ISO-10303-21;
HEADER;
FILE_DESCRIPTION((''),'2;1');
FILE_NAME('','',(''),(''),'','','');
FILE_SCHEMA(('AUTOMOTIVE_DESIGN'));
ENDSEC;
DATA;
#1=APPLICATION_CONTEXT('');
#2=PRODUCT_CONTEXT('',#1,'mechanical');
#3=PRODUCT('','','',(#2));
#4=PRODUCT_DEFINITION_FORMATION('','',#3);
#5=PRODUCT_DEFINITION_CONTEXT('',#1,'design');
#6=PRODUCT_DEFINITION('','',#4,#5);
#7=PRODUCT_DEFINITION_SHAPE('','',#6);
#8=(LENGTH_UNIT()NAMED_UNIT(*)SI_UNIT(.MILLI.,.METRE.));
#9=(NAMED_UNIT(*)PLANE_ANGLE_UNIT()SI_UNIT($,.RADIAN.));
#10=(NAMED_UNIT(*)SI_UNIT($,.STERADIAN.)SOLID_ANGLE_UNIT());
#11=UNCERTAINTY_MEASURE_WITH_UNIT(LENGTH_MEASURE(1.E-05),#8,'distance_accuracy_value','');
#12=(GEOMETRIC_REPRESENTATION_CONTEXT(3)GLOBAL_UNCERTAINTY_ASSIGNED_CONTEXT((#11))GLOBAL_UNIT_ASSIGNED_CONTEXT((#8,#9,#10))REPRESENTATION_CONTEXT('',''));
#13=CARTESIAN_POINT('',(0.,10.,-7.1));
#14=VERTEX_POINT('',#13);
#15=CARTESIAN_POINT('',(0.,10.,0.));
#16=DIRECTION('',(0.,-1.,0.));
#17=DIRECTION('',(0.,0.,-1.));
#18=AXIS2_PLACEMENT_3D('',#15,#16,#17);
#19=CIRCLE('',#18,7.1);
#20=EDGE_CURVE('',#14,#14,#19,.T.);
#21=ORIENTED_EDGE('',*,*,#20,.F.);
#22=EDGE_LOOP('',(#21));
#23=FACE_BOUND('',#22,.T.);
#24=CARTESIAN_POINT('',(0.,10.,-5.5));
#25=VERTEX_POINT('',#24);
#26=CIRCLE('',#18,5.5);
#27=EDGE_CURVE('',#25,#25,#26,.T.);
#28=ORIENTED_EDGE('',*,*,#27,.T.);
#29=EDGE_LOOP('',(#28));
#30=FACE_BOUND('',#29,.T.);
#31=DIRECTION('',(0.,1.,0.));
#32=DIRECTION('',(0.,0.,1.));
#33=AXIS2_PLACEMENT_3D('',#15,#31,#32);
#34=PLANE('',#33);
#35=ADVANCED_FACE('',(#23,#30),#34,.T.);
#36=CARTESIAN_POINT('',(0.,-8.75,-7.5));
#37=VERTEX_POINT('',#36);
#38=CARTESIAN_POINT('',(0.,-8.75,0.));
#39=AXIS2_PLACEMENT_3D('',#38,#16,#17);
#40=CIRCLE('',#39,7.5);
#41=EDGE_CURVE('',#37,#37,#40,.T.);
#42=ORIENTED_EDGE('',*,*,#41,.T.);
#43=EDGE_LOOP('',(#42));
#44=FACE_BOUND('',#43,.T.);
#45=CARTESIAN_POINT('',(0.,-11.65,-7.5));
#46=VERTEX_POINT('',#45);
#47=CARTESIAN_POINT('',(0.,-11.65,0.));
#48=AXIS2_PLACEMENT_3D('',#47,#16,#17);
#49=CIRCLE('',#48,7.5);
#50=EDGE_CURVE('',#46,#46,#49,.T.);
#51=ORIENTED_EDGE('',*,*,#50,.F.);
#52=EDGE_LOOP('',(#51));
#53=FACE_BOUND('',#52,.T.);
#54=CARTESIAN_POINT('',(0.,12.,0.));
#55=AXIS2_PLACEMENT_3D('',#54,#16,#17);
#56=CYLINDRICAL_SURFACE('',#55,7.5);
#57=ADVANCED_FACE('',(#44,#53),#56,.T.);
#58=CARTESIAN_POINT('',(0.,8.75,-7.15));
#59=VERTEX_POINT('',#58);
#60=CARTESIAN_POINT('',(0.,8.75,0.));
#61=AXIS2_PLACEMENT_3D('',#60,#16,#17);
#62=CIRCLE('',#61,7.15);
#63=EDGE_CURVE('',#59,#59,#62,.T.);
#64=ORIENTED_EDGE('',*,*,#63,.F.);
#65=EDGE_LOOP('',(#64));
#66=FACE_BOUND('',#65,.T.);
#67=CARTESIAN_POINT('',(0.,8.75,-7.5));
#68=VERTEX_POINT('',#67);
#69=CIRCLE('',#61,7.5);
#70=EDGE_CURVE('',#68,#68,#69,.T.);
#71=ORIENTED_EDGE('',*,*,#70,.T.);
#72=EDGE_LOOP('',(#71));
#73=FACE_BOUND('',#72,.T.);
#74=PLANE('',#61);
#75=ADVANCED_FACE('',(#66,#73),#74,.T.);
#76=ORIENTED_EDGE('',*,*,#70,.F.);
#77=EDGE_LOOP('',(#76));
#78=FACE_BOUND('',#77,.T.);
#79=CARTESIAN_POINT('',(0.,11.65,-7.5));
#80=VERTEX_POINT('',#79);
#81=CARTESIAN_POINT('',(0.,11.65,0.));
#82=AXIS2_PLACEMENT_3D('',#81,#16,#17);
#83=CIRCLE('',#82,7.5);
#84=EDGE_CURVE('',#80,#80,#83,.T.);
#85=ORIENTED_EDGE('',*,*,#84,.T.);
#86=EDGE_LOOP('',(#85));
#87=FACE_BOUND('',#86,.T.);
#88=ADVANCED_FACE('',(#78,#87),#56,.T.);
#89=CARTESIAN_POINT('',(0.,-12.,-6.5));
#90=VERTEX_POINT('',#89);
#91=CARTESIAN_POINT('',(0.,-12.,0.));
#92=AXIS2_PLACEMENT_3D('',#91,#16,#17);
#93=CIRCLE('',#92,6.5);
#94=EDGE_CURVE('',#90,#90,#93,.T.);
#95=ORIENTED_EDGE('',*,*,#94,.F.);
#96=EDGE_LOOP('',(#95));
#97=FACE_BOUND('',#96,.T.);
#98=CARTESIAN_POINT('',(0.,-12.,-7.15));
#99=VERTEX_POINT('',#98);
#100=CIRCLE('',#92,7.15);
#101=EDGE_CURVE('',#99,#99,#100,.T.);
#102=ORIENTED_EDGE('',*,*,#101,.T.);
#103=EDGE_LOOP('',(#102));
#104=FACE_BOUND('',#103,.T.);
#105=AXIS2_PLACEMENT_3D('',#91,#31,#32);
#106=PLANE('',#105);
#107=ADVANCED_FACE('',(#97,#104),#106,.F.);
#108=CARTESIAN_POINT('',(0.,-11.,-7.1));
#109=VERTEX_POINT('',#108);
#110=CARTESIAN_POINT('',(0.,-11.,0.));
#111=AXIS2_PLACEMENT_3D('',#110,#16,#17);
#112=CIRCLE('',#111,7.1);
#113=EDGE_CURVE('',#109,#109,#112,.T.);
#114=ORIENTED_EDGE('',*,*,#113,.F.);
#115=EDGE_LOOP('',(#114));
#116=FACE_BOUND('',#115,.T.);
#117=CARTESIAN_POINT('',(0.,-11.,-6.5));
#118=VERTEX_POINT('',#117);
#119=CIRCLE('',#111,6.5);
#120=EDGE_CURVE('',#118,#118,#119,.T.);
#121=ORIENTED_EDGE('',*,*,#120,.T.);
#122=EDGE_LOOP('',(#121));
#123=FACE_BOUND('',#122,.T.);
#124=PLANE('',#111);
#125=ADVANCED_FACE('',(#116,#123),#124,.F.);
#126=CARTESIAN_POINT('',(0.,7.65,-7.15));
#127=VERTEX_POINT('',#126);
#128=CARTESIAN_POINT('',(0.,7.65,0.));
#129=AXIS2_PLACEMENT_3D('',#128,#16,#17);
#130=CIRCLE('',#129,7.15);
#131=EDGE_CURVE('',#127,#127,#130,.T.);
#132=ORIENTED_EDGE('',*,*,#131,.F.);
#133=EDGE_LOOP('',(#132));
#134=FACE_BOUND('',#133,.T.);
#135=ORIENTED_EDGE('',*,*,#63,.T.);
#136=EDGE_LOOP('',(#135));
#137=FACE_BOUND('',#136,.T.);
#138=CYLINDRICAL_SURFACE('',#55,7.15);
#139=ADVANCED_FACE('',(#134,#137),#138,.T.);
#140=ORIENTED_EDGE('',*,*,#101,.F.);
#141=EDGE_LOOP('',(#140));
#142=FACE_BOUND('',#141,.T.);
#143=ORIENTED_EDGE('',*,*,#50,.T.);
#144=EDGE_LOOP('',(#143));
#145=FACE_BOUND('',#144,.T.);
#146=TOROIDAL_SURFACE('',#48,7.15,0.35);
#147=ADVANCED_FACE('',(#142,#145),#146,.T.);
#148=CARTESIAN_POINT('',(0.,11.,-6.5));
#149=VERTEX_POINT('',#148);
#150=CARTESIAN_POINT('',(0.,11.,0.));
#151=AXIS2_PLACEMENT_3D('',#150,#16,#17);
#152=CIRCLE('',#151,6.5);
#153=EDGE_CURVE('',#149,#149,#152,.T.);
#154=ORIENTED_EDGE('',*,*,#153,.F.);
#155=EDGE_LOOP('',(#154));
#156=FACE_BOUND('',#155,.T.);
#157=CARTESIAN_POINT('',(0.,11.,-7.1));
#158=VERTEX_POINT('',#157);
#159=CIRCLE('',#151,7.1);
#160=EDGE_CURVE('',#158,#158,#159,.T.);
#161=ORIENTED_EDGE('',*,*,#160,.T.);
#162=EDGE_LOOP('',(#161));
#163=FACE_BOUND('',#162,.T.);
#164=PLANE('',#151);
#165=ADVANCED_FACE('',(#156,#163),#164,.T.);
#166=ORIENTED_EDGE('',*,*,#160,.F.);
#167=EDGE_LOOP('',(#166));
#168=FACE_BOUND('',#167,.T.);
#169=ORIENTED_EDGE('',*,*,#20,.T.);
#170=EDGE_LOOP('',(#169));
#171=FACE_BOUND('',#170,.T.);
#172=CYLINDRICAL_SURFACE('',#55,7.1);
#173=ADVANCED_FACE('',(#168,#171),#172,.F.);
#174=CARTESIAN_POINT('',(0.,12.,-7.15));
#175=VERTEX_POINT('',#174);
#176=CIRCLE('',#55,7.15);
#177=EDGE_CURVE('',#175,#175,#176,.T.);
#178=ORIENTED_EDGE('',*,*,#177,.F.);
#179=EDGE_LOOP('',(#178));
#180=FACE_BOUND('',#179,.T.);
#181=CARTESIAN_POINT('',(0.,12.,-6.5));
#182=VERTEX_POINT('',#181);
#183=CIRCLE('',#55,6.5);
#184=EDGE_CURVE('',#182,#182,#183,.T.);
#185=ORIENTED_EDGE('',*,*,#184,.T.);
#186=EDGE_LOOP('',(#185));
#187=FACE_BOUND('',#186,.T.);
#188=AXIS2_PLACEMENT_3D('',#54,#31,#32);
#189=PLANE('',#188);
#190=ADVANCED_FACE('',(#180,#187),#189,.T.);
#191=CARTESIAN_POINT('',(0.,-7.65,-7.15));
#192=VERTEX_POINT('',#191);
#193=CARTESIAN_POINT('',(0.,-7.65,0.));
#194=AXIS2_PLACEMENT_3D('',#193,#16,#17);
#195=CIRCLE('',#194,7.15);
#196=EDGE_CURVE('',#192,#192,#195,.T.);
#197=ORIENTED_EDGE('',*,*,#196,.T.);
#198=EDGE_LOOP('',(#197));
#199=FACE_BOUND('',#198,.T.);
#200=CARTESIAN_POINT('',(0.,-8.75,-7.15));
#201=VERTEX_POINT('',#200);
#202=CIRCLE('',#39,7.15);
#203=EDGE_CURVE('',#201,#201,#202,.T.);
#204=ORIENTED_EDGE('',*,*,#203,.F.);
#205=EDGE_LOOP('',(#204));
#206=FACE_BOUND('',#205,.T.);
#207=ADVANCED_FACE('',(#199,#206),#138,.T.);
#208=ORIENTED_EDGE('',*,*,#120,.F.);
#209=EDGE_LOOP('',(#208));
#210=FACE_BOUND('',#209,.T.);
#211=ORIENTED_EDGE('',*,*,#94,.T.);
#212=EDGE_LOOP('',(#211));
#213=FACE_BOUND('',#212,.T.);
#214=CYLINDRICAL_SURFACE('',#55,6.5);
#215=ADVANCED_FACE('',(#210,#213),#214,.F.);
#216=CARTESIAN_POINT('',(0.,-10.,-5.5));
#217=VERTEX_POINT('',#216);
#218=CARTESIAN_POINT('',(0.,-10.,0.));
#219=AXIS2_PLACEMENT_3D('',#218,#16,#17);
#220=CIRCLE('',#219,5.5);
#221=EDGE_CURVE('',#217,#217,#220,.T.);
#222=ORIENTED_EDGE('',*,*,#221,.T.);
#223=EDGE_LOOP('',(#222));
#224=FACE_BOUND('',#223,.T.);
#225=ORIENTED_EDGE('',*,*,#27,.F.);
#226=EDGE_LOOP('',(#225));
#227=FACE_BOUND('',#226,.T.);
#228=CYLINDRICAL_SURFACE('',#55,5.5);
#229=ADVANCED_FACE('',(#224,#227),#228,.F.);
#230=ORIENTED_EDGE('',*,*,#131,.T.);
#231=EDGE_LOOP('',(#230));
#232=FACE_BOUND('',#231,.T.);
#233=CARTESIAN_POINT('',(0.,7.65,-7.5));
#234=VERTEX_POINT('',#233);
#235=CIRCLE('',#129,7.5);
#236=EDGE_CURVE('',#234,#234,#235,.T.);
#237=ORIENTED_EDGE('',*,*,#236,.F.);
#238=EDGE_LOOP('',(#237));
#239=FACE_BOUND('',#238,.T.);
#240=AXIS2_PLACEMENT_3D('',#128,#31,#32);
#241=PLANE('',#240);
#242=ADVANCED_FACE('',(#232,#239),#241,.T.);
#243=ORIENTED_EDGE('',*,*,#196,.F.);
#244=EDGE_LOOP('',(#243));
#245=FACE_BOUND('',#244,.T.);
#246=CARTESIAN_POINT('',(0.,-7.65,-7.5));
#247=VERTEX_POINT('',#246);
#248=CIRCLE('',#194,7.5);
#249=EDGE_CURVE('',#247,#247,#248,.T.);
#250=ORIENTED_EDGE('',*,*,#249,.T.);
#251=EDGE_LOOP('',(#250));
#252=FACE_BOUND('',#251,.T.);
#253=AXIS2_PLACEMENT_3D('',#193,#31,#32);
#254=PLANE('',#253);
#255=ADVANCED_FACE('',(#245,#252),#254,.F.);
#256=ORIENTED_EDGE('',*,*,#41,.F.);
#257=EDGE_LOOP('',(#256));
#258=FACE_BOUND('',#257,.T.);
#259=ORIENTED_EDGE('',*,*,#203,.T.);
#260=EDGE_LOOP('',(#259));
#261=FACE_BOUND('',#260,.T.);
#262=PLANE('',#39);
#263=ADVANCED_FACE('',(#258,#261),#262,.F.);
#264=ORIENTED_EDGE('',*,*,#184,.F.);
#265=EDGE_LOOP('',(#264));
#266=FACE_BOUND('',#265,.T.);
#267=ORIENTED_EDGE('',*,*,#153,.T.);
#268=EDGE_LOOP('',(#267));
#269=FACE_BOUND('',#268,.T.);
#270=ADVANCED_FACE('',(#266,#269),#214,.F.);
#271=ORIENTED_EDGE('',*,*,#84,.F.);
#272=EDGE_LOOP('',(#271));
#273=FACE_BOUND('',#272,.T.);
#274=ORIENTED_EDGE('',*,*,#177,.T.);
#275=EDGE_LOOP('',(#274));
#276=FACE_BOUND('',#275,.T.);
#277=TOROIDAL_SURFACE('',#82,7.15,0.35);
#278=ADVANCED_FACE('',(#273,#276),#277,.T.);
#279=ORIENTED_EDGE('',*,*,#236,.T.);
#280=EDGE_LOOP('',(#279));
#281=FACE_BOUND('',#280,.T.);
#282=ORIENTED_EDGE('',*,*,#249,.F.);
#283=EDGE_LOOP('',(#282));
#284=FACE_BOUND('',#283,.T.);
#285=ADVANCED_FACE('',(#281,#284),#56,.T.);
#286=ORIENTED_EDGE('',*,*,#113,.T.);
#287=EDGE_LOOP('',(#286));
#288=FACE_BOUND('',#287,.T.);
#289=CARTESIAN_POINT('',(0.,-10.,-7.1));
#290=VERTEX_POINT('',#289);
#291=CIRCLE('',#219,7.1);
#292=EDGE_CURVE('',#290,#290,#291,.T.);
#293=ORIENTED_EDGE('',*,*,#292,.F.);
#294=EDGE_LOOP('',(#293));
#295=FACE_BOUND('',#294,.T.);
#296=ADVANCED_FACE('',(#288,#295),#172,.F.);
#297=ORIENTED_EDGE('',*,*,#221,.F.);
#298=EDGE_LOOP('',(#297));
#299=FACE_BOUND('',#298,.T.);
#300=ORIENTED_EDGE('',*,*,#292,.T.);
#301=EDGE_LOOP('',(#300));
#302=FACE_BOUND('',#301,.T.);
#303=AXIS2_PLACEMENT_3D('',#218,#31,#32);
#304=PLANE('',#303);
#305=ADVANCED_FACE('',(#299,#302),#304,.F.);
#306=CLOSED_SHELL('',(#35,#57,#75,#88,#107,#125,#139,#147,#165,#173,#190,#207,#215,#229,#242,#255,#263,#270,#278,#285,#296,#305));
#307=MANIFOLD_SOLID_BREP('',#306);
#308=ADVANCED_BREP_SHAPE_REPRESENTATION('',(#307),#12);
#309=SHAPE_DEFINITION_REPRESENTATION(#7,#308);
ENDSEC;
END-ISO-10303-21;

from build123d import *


with BuildPart() as part:
    # Sketch1 → Revolve1 (revolve)
    with BuildSketch(Plane(origin=(0, 0, 0), x_dir=(0, -1, 0), z_dir=(1, 0, 0))):
        with BuildLine():
            Line((-8.75, 7.5), (-11.65, 7.5))
            ThreePointArc((-11.65, 7.5), (-11.897487373, 7.397487373), (-12, 7.15))
            Line((-12, 7.15), (-12, 6.5))
            Line((-12, 6.5), (-11, 6.5))
            Line((-11, 6.5), (-11, 7.1))
            Line((-11, 7.1), (-10, 7.1))
            Line((-10, 7.1), (-10, 5.5))
            Line((-10, 5.5), (10, 5.5))
            Line((10, 5.5), (10, 7.1))
            Line((10, 7.1), (11, 7.1))
            Line((11, 7.1), (11, 6.5))
            Line((11, 6.5), (12, 6.5))
            Line((12, 6.5), (12, 7.15))
            ThreePointArc((12, 7.15), (11.897487373, 7.397487373), (11.65, 7.5))
            Line((11.65, 7.5), (8.75, 7.5))
            Line((8.75, 7.5), (8.75, 7.15))
            Line((8.75, 7.15), (7.65, 7.15))
            Line((7.65, 7.15), (7.65, 7.5))
            Line((7.65, 7.5), (-7.65, 7.5))
            Line((-7.65, 7.5), (-7.65, 7.15))
            Line((-7.65, 7.15), (-8.75, 7.15))
            Line((-8.75, 7.15), (-8.75, 7.5))
        make_face()
    revolve(axis=Axis((0, 12, 0), (0, -1, 0)))


solid = part.part
